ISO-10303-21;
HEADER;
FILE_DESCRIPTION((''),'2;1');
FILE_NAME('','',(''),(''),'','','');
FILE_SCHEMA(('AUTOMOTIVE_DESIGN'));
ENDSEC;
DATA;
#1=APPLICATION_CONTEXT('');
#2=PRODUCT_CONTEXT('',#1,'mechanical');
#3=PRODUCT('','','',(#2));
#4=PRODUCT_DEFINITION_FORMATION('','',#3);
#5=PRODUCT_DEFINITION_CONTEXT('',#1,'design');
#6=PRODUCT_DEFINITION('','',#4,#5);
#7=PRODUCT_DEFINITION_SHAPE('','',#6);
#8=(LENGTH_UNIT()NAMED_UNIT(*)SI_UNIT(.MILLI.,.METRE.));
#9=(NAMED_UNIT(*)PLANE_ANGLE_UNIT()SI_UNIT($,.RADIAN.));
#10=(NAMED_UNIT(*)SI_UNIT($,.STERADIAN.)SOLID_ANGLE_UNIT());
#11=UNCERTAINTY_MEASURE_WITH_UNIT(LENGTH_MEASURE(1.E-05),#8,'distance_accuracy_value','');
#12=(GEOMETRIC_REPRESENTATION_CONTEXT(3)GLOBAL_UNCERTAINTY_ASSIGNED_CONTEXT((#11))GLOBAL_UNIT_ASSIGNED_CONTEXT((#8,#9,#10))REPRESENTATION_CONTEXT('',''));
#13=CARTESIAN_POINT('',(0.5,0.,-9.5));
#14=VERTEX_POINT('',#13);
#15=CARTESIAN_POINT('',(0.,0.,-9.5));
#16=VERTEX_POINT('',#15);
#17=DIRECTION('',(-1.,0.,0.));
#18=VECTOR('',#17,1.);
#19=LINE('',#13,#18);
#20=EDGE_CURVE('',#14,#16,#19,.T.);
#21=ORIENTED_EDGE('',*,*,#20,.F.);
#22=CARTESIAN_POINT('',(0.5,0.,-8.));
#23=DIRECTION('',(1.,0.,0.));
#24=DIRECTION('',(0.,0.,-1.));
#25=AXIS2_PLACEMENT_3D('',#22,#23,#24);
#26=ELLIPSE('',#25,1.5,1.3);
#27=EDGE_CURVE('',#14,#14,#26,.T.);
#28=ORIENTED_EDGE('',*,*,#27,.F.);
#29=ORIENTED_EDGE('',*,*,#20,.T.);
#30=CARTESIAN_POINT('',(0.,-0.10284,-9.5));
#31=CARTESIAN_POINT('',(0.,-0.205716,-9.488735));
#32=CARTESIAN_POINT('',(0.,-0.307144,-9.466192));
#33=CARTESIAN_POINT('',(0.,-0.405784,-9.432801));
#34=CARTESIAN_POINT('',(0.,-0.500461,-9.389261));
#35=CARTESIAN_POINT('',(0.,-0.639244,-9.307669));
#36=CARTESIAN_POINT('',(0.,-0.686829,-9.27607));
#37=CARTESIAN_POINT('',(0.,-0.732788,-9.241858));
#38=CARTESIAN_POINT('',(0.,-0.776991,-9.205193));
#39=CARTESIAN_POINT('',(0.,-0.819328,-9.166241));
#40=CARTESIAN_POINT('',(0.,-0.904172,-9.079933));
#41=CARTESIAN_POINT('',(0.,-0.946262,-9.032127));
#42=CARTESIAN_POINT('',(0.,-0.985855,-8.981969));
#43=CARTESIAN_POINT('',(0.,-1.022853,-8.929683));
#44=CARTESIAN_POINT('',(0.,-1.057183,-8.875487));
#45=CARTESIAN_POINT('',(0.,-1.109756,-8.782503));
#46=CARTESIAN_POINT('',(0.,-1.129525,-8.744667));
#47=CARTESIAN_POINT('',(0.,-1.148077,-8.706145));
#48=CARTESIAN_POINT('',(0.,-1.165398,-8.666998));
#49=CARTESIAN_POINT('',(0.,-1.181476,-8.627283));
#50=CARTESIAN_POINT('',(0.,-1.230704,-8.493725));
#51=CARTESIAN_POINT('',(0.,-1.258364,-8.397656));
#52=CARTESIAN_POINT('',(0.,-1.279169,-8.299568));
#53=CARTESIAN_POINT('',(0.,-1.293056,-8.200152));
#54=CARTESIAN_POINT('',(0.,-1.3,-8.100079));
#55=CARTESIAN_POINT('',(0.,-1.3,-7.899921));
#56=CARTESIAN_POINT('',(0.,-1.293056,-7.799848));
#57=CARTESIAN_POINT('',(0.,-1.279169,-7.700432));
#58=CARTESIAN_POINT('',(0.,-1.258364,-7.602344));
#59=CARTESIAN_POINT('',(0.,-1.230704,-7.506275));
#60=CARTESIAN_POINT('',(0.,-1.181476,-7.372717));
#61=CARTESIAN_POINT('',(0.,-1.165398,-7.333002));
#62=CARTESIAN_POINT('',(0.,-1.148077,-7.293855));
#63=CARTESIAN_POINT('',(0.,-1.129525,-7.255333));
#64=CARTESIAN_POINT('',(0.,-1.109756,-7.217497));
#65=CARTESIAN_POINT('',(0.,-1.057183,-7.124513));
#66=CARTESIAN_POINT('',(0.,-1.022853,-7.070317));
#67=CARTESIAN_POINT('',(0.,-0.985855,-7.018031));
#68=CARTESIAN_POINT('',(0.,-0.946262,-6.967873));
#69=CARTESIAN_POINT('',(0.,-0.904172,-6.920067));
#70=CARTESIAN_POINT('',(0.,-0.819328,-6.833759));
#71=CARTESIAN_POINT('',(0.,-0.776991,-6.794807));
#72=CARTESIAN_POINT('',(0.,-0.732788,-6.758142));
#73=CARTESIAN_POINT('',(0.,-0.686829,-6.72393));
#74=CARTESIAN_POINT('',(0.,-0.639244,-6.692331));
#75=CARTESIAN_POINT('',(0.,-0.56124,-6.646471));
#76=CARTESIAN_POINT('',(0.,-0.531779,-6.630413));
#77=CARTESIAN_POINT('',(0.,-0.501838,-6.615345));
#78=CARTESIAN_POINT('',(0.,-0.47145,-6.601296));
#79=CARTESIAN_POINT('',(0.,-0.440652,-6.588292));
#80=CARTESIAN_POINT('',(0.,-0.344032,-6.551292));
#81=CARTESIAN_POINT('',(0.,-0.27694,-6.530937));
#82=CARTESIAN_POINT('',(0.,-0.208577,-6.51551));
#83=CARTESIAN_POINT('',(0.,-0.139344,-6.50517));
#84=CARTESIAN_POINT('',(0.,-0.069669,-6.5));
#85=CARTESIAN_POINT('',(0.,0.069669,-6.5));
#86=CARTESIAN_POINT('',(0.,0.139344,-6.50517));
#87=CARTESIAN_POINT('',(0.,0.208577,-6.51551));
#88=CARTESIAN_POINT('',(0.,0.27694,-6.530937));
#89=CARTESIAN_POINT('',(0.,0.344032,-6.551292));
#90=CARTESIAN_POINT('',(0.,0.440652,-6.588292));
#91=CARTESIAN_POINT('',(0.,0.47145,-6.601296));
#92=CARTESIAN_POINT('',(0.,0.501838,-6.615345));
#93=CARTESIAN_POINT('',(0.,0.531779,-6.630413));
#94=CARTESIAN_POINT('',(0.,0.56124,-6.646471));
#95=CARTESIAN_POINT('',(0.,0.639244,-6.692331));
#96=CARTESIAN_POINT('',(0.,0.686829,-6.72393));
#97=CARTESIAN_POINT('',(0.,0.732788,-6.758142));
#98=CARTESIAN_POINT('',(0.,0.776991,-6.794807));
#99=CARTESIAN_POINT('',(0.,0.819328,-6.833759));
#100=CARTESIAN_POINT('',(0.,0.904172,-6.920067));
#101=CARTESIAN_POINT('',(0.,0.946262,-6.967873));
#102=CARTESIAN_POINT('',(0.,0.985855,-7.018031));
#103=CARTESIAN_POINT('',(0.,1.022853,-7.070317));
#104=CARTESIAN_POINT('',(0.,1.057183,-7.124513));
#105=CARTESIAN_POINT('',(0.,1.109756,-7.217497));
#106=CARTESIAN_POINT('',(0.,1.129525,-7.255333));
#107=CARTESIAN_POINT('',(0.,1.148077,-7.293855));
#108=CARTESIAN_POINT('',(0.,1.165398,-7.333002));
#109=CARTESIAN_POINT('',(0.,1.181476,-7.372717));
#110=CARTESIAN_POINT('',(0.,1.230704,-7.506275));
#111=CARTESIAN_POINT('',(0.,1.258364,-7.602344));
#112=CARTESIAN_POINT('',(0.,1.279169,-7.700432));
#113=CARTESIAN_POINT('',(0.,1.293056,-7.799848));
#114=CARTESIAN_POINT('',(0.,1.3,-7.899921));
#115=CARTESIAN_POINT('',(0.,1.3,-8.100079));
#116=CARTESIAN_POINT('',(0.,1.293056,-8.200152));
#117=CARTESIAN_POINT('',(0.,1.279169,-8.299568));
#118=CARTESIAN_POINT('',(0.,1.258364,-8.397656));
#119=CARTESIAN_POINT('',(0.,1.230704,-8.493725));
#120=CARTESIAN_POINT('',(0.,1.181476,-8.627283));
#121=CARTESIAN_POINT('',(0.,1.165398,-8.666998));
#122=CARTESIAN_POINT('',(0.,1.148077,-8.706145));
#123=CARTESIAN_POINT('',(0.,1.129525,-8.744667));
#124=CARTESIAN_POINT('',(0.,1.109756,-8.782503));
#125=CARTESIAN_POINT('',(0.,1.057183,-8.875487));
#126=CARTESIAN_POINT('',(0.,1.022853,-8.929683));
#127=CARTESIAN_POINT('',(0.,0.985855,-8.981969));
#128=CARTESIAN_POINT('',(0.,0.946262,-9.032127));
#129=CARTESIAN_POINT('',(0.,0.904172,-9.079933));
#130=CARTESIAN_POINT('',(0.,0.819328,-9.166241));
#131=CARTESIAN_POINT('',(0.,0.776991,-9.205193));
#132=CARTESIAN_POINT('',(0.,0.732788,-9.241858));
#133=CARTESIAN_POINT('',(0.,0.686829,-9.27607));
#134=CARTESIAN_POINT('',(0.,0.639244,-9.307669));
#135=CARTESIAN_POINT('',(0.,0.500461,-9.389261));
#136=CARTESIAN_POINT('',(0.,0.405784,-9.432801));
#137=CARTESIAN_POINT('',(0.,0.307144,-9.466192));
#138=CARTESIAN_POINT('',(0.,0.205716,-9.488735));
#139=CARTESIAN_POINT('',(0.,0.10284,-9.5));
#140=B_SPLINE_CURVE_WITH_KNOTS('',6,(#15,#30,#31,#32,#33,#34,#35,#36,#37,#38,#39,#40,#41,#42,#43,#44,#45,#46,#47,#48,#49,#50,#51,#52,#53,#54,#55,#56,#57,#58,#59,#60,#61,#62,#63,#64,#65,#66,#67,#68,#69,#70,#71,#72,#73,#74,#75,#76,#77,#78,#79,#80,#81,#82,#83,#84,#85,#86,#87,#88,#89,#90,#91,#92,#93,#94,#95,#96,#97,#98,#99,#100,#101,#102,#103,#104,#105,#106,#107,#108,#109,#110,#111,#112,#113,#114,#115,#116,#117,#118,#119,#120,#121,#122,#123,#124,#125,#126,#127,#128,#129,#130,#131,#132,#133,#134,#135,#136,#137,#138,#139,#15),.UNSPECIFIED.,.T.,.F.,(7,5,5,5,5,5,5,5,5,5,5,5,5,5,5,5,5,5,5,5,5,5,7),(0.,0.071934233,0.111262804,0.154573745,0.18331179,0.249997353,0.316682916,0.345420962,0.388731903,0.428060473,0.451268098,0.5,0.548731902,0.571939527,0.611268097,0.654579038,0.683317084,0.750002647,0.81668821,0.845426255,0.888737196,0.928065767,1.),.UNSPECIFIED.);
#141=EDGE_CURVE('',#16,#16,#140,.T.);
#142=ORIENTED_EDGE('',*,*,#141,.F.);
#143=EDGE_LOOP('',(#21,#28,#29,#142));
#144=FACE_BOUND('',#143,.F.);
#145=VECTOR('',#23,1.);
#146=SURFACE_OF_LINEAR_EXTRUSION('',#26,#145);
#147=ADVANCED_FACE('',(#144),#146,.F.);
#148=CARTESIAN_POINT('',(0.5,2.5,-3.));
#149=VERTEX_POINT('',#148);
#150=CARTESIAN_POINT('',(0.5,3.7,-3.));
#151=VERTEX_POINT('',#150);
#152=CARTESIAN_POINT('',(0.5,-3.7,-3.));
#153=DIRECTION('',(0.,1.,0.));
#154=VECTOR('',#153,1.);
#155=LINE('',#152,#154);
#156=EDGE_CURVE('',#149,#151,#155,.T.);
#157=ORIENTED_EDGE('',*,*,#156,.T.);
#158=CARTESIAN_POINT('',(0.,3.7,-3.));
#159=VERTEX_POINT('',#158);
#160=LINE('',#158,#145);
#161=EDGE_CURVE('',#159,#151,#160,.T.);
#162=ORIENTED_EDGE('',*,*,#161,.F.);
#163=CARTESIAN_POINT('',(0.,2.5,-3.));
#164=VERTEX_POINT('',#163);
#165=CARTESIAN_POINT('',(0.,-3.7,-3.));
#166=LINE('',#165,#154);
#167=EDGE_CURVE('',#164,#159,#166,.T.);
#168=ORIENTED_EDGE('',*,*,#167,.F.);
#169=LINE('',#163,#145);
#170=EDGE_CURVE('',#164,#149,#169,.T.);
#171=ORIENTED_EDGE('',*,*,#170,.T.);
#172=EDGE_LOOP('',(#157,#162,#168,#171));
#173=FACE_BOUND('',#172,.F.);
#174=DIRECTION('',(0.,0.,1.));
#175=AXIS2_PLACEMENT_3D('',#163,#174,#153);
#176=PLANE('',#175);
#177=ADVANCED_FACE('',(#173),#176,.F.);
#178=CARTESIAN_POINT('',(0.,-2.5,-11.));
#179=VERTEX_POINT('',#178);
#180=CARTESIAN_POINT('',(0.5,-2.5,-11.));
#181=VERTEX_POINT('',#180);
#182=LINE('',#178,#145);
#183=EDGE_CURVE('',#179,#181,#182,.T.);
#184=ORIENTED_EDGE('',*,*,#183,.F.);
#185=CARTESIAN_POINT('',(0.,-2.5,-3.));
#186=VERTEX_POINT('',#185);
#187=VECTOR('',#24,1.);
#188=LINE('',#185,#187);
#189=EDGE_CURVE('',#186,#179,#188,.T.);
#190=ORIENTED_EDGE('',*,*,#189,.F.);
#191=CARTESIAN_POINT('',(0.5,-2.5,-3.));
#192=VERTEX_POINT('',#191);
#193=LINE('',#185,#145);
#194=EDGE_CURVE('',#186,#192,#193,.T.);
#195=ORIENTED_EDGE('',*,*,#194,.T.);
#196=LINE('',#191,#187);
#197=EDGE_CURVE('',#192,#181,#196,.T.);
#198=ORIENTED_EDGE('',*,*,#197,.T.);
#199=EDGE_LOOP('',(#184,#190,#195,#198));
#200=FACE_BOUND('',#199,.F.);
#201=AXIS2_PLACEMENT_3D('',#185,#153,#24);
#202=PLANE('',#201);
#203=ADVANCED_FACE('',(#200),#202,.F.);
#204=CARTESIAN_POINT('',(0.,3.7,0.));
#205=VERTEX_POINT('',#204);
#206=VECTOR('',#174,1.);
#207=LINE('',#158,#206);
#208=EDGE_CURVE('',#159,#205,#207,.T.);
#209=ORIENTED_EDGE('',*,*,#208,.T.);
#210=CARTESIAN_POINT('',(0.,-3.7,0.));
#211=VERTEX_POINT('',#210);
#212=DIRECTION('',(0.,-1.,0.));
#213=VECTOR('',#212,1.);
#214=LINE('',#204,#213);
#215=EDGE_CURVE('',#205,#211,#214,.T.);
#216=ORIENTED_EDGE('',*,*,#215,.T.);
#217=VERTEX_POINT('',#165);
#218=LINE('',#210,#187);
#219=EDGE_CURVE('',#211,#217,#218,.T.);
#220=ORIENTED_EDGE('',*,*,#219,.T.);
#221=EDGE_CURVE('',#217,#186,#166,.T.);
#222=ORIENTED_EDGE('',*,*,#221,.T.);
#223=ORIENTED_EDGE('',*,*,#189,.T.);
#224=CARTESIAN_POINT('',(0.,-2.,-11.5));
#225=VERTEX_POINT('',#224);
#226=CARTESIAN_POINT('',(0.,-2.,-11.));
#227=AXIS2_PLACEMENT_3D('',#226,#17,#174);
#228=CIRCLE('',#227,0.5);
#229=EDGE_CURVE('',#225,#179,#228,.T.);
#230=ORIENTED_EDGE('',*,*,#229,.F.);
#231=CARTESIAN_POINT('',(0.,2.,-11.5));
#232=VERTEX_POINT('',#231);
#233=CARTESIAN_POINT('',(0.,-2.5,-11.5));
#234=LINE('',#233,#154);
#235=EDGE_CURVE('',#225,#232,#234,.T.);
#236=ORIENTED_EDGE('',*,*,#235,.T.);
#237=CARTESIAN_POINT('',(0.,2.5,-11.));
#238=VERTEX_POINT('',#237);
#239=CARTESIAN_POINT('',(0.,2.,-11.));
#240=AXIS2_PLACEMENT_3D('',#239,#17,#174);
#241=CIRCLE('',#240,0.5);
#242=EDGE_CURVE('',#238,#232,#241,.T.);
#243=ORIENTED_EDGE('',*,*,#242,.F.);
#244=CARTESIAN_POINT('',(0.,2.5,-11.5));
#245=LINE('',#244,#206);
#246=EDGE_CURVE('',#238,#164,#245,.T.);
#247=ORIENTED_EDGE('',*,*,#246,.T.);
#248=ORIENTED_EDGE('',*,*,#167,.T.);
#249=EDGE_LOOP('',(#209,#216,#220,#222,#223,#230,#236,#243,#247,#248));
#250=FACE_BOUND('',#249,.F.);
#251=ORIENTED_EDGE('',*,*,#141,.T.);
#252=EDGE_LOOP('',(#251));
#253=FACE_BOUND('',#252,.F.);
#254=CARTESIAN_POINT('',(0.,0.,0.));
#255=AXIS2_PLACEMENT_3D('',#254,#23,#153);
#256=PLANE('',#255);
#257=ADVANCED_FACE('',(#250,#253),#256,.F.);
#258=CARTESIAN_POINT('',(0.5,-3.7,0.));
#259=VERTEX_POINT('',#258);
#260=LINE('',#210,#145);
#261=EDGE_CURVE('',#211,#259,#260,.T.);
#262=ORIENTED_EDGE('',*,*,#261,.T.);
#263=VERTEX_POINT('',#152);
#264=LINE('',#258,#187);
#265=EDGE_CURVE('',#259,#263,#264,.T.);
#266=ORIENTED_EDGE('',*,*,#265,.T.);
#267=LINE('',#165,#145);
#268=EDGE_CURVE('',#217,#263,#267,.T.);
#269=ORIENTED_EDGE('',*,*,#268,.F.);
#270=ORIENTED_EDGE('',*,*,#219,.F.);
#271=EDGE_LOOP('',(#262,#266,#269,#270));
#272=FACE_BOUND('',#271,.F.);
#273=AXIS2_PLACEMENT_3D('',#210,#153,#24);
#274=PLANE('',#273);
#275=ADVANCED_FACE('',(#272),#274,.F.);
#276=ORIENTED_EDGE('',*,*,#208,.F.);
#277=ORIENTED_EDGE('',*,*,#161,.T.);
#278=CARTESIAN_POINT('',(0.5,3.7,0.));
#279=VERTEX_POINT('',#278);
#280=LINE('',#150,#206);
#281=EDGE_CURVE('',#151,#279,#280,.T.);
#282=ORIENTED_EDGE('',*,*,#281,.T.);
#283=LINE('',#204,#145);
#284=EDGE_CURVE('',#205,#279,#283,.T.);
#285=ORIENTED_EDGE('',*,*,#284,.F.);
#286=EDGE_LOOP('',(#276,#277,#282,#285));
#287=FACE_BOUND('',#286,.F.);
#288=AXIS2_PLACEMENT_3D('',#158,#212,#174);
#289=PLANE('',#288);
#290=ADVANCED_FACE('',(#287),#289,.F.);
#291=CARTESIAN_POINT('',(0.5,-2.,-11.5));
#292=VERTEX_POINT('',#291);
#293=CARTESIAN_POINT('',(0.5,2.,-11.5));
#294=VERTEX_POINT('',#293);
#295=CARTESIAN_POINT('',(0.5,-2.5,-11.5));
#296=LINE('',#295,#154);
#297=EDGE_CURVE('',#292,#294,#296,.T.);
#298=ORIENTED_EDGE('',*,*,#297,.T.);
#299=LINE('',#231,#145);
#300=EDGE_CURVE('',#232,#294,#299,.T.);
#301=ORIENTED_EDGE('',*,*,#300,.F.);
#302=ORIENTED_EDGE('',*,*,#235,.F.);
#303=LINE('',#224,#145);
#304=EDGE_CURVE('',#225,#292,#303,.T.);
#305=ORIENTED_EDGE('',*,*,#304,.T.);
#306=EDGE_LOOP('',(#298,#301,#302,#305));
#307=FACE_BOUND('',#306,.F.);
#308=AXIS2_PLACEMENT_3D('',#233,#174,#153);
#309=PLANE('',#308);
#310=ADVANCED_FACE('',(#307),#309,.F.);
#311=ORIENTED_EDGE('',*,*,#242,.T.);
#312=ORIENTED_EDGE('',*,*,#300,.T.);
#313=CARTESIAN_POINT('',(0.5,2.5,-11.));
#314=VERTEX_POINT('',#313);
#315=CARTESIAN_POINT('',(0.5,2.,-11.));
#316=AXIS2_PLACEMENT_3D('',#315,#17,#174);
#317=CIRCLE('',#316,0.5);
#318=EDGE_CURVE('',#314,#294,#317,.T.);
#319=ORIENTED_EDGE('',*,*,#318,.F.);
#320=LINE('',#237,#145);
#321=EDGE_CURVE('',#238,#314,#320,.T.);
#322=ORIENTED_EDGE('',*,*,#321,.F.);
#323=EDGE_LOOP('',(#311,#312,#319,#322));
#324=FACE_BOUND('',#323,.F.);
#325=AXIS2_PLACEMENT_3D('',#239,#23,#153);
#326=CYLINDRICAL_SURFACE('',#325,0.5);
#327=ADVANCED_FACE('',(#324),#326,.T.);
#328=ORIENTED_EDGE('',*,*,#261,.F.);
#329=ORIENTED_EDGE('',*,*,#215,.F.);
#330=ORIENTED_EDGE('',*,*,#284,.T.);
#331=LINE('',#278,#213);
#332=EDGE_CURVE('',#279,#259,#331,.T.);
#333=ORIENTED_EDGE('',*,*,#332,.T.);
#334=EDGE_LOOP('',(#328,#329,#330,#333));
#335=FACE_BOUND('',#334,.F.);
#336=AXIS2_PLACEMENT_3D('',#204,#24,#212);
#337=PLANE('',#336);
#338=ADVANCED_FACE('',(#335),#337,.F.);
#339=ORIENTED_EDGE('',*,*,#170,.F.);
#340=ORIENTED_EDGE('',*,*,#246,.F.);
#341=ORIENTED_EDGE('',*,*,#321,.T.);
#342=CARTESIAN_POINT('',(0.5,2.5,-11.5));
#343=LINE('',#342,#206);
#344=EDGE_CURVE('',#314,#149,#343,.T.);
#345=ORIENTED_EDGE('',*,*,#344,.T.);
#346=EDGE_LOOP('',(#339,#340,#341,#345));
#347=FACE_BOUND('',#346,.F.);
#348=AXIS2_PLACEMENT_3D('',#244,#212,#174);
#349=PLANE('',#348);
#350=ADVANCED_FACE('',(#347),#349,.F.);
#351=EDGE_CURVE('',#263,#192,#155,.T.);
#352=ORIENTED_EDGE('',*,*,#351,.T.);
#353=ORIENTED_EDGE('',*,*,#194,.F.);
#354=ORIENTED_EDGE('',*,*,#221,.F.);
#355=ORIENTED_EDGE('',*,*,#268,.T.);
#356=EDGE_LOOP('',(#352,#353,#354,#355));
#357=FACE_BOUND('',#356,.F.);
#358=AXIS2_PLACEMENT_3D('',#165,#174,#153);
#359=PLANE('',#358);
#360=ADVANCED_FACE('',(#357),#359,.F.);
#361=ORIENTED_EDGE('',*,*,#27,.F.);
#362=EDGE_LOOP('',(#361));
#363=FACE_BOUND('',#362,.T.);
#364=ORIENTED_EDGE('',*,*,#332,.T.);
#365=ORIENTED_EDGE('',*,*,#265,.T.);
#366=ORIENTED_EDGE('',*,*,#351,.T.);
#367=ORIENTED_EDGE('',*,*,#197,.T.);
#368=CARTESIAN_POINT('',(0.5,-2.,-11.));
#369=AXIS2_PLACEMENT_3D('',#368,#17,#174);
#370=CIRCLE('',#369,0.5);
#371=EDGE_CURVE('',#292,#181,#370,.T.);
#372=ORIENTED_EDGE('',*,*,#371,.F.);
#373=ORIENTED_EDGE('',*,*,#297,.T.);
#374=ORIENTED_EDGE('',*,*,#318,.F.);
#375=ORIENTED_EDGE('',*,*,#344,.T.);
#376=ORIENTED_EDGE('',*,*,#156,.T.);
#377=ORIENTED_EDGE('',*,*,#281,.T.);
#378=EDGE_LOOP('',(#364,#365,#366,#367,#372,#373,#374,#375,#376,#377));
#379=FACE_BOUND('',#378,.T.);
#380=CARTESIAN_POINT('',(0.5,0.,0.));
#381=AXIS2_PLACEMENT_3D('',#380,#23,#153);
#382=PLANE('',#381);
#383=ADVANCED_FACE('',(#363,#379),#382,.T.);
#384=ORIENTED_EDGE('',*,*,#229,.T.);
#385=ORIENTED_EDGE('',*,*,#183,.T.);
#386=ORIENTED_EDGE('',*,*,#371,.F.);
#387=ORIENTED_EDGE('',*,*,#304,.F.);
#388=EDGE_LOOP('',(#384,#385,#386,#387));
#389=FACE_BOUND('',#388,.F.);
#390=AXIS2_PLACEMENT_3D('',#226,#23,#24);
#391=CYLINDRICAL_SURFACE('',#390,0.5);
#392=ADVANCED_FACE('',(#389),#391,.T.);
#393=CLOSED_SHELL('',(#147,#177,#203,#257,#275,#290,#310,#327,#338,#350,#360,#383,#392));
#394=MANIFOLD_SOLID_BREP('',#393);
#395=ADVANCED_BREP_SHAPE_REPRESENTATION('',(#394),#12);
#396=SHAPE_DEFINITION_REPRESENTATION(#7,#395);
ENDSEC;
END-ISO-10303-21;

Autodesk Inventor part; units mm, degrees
ref_plane "YZ Plane" through (0, 0, 0) normal (1, 0, 0) x (0, 1, 0)
ref_plane "XZ Plane" through (0, 0, 0) normal (0, 1, 0) x (-1, 0, 0)
ref_plane "XY Plane" through (0, 0, 0) normal (0, 0, 1) x (1, 0, 0)
sketch "スケッチ1" plane through (0, 0, 0) normal (1, 0, 0) x (0, 1, 0)
  line L0 (3.7, 0) -> (-3.7, 0)
  line L1 (-3.7, 0) -> (-3.7, -3)
  line L2 (-3.7, -3) -> (3.7, -3)
  line L3 (3.7, -3) -> (3.7, 0)
  line L4 (2.5, -3) -> (-2.5, -3)
  line L5 (-2.5, -3) -> (-2.5, -11.5)
  line L6 (-2.5, -11.5) -> (2.5, -11.5)
  line L7 (2.5, -11.5) -> (2.5, -3)
  point P0 (0, 0)
  point P1 (0, 0)
  point P2 (0, -3)
  dimension "d0" = 7.4
  dimension "d1" = 3
  dimension "d2" = 5
  dimension "d3" = 8.5
extrude "押し出し1" add sketch "スケッチ1" along normal blind 0.5
sketch "スケッチ2" plane through (0.5, 0, 0) normal (1, 0, 0) x (0, 0, -1)
  ellipse E0 centre (8, 0) end of major axis (9.5, 0) minor radius 1.3
  line L0 (0, 3.7) -> (0, -3.7) projected
  line L1 (11.5, -2.5) -> (11.5, 2.5) projected
  point P0 (0, 0)
  point P1 (0, 0)
  dimension "d6" = 1.3
  dimension "d7" = 1.5
  dimension "d8" = 3.5
extrude "押し出し2" cut sketch "スケッチ2" against normal through all
fillet "フィレット1" radius 0.5 2 edges at (0.25, -2.5, -11.5) (0.25, 2.5, -11.5)
properties part number "555_Terminal" material "銅"
